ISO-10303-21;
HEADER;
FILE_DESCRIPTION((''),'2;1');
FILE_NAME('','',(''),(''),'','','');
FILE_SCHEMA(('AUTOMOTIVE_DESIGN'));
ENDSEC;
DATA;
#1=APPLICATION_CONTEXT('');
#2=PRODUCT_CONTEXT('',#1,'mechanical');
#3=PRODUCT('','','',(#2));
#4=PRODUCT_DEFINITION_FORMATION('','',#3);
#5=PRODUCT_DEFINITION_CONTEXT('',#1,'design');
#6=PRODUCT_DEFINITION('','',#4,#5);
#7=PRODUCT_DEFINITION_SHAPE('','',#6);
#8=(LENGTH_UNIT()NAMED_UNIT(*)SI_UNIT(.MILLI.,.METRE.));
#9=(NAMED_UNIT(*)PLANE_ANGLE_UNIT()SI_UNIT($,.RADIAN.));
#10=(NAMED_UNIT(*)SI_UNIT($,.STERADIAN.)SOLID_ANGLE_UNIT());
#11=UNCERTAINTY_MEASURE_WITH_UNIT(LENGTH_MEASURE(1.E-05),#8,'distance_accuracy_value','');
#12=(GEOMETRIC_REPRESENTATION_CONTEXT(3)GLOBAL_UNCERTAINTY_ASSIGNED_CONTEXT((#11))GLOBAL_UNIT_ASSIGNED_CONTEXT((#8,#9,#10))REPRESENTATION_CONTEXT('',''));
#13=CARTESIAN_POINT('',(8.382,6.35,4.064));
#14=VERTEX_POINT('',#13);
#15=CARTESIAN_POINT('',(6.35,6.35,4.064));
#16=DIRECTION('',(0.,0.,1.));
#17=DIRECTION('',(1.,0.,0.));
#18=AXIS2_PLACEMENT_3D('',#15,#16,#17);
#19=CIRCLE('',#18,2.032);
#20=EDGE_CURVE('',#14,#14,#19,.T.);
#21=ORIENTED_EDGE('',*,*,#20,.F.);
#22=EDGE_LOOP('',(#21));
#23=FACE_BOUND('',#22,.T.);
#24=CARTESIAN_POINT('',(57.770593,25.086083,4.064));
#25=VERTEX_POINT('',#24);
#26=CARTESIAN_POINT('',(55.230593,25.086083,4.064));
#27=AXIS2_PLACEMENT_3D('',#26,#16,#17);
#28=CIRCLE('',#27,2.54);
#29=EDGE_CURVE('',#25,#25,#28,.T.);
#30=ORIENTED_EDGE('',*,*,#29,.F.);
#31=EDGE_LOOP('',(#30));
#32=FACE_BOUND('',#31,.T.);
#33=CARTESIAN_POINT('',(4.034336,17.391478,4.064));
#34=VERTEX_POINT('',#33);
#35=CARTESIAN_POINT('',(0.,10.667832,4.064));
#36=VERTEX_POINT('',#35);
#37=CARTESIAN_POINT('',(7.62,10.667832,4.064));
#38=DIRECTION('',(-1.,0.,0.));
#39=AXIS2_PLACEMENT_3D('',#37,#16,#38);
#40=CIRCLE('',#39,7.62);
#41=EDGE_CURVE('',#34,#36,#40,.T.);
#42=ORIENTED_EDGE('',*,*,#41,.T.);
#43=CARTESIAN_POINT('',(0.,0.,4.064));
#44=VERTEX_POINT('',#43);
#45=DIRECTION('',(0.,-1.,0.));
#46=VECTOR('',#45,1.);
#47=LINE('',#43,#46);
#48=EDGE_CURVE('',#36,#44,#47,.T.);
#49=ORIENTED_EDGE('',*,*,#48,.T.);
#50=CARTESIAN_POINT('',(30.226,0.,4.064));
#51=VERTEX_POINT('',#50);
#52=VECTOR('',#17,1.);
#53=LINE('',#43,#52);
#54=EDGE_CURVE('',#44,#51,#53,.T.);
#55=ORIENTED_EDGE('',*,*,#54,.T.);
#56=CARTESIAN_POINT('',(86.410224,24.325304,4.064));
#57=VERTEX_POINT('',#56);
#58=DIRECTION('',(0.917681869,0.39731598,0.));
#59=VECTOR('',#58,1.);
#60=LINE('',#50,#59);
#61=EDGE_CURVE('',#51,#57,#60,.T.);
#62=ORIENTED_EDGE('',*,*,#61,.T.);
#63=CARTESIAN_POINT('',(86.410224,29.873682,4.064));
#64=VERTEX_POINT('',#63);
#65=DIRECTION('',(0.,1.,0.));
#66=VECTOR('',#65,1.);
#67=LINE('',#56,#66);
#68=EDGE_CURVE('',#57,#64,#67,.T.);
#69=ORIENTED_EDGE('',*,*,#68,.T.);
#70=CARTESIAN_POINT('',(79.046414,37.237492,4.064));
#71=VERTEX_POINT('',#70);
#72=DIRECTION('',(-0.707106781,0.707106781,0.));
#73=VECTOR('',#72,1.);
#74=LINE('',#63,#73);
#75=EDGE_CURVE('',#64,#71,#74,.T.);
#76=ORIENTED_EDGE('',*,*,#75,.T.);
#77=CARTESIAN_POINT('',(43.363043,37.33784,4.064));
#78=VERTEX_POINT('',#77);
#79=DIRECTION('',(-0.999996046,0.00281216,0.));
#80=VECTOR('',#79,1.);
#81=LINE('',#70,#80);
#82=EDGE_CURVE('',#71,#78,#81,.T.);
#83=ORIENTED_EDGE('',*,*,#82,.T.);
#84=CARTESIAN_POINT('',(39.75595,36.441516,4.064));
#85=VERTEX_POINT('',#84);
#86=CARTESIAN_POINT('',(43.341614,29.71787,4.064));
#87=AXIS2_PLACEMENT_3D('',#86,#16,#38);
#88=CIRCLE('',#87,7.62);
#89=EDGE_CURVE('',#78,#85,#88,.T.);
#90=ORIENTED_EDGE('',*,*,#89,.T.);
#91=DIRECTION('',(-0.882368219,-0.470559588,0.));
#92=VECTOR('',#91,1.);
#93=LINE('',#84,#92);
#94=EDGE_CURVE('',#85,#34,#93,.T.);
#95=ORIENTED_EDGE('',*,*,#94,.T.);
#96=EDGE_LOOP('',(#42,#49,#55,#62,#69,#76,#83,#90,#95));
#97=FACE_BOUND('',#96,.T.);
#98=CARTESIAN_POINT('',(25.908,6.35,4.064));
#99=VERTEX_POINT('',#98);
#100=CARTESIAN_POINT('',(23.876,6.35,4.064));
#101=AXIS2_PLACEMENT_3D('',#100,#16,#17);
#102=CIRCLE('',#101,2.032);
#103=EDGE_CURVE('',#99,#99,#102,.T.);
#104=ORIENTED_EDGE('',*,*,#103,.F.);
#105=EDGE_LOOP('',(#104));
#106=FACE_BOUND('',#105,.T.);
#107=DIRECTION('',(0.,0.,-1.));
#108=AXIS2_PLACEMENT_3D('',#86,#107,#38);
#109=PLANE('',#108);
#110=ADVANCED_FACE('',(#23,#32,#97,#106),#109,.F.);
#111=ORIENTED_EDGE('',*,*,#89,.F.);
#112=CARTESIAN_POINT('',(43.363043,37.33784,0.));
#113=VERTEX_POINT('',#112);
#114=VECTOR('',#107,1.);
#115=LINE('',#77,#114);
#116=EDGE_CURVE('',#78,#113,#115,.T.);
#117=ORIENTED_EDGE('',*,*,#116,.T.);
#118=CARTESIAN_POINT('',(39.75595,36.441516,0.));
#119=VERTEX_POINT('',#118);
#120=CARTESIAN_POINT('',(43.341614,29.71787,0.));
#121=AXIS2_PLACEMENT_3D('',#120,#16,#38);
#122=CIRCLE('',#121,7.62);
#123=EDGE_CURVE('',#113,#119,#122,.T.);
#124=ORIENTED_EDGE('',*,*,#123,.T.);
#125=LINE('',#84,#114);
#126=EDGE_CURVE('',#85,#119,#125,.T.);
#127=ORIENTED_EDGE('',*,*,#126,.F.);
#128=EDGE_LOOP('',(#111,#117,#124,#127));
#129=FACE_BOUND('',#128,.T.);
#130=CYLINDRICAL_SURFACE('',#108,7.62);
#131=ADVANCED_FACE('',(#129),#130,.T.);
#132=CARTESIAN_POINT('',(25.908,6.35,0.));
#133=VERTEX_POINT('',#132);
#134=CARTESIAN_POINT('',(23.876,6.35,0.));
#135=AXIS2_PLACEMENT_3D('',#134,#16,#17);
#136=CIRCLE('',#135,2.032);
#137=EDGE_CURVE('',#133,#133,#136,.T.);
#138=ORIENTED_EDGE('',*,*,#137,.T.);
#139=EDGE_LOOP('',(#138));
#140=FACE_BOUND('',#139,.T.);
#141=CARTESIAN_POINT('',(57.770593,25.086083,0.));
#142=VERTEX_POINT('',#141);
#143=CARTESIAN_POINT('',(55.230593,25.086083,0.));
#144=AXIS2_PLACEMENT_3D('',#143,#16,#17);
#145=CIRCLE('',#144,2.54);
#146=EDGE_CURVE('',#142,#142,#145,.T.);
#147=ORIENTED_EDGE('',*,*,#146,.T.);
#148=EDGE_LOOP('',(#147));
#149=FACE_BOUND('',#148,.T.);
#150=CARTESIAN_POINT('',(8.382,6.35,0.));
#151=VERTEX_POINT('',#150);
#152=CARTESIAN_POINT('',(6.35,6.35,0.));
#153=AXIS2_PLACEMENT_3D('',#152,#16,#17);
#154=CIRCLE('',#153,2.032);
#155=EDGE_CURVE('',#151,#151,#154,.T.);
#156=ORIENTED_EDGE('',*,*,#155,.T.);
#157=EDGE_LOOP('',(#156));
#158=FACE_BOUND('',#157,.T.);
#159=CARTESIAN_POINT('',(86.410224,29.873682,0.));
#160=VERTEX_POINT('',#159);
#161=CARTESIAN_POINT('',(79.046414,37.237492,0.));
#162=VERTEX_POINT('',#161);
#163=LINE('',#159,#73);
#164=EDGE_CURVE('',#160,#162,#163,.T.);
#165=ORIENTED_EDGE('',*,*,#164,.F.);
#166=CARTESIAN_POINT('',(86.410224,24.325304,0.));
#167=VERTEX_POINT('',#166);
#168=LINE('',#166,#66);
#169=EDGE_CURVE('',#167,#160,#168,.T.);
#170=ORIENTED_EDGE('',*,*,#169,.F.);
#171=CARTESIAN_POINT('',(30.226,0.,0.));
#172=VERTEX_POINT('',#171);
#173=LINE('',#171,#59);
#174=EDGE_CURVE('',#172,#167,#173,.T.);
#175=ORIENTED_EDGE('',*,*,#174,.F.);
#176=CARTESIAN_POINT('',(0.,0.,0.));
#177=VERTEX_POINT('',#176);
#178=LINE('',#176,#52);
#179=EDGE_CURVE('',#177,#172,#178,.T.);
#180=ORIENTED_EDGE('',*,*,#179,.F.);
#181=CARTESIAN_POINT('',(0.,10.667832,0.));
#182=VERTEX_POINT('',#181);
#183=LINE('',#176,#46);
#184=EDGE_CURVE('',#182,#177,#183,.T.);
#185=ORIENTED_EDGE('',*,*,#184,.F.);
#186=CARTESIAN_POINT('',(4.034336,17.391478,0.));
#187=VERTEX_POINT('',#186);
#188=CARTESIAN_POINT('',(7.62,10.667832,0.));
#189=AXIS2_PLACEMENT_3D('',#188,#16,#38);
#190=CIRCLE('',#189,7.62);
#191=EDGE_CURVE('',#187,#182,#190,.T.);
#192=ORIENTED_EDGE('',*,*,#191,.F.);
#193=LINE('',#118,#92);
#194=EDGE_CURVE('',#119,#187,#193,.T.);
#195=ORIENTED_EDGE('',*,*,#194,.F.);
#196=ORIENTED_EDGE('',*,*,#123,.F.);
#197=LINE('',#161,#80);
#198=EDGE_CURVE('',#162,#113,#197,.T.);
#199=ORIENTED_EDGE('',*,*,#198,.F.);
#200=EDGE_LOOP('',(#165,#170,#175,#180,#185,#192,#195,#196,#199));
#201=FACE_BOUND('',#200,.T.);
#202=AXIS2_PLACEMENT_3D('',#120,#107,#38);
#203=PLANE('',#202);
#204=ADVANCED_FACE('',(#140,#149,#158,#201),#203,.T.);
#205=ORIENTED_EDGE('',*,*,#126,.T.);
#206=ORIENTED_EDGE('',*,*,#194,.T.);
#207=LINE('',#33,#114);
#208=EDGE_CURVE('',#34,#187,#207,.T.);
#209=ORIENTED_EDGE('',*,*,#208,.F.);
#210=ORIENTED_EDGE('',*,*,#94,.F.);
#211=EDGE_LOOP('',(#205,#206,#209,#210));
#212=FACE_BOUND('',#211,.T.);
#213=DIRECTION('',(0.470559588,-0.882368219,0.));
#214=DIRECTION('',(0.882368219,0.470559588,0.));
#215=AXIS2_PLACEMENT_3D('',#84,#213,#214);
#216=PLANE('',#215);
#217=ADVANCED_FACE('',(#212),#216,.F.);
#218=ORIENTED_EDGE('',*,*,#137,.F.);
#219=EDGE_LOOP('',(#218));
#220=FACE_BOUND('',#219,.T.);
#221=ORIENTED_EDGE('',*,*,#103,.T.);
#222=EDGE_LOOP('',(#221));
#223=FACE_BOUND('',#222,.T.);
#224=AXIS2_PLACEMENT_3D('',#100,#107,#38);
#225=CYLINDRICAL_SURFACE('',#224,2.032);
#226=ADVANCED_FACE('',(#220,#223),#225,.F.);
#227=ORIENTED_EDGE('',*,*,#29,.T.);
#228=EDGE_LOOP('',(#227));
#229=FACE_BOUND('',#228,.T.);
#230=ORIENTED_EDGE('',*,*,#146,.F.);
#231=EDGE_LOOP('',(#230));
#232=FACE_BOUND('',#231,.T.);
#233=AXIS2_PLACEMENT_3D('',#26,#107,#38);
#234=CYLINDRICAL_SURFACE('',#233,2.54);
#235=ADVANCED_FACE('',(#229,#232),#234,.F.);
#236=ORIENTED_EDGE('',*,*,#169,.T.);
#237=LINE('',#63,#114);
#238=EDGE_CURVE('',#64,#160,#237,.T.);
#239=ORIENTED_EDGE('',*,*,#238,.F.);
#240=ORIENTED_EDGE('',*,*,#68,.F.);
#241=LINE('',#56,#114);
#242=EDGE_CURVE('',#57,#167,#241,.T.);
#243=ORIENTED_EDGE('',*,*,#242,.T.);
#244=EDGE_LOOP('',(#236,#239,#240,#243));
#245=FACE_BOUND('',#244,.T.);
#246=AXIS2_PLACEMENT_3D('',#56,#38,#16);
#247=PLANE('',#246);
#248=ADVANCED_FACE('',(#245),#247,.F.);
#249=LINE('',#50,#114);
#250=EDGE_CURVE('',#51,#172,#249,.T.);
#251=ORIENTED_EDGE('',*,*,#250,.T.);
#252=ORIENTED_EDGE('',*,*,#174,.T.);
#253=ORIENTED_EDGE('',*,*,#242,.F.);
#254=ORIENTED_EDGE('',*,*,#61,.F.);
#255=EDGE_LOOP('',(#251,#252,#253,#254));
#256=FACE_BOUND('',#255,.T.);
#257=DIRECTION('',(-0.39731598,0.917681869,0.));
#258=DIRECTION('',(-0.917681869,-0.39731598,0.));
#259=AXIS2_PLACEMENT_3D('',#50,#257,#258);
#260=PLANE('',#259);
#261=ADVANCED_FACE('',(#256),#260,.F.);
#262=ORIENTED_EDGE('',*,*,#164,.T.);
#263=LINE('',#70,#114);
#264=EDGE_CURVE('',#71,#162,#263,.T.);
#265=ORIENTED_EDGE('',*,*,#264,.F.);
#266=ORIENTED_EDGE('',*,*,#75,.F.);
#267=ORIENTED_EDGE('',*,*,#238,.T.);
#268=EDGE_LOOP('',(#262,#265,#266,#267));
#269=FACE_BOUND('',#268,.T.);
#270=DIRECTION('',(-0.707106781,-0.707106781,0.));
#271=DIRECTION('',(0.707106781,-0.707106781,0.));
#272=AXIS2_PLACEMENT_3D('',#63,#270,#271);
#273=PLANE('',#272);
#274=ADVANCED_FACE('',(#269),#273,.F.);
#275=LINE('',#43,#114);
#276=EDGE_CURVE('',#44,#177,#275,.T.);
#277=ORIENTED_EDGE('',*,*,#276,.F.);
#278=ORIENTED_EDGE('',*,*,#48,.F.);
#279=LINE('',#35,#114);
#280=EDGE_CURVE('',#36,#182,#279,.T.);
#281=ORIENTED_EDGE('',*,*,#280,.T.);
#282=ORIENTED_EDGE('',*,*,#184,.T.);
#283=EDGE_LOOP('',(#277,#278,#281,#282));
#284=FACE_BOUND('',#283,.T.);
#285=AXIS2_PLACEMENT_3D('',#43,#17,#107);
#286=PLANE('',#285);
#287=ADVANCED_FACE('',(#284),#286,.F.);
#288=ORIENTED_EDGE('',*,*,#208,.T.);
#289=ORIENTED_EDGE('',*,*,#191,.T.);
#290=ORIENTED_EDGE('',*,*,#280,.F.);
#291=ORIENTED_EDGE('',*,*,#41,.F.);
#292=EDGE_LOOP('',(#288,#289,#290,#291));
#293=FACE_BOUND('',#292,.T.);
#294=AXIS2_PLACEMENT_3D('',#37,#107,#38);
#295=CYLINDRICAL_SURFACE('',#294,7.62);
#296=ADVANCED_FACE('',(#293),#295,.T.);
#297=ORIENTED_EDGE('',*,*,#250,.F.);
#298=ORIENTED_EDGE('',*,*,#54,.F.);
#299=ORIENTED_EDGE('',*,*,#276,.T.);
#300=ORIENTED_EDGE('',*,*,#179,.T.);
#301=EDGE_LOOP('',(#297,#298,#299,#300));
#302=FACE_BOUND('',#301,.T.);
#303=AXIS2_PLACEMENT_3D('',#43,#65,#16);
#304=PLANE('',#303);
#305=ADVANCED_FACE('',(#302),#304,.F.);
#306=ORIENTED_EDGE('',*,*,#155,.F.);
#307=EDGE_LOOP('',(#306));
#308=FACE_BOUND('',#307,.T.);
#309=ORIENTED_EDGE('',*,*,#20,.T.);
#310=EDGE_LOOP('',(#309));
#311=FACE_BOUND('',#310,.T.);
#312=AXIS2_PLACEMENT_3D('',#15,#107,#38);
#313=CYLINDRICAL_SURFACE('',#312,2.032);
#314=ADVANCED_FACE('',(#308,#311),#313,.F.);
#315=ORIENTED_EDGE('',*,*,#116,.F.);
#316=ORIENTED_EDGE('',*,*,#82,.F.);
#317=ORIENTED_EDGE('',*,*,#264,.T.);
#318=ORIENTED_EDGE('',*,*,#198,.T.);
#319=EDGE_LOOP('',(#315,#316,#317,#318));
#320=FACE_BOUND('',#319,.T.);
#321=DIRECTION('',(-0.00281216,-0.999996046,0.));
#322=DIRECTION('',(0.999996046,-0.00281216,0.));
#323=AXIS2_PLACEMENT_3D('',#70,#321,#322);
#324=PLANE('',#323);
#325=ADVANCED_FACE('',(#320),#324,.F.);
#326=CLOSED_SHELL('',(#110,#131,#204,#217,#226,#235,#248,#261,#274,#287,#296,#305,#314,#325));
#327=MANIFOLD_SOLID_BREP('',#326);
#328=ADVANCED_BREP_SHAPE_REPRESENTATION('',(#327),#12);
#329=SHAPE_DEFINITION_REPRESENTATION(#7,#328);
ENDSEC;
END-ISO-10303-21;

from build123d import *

# Parameters (mm, degrees)
SKETCH1_R           = 2.032
SKETCH1_R_2         = 2.54
BOSS_EXTRUDE1_DEPTH = 4.064


with BuildPart() as part:
    # Sketch1 → Boss-Extrude1 (new body)
    with BuildSketch(Plane.XY):
        with BuildLine():
            Line((0, 0), (0, 10.667831766))
            ThreePointArc((0, 10.667831766), (1.08596755, 14.588395494), (4.034335943, 17.391477598))
            Line((4.034335943, 17.391477598), (39.755950307, 36.44151561))
            ThreePointArc((39.755950307, 36.44151561), (41.504009214, 37.112976763), (43.363043022, 37.337839648))
            Line((43.363043022, 37.337839648), (79.046414123, 37.237491906))
            Line((79.046414123, 37.237491906), (86.410224142, 29.873681887))
            Line((86.410224142, 29.873681887), (86.410224142, 24.325303591))
            Line((86.410224142, 24.325303591), (30.226, 0))
            Line((30.226, 0), (0, 0))
        make_face()
        with Locations((6.35, 6.35)):
            Circle(SKETCH1_R, mode=Mode.SUBTRACT)
        with Locations((23.876, 6.35)):
            Circle(SKETCH1_R, mode=Mode.SUBTRACT)
        with Locations((55.230593188, 25.086083138)):
            Circle(SKETCH1_R_2, mode=Mode.SUBTRACT)
    extrude(amount=BOSS_EXTRUDE1_DEPTH)


solid = part.part
